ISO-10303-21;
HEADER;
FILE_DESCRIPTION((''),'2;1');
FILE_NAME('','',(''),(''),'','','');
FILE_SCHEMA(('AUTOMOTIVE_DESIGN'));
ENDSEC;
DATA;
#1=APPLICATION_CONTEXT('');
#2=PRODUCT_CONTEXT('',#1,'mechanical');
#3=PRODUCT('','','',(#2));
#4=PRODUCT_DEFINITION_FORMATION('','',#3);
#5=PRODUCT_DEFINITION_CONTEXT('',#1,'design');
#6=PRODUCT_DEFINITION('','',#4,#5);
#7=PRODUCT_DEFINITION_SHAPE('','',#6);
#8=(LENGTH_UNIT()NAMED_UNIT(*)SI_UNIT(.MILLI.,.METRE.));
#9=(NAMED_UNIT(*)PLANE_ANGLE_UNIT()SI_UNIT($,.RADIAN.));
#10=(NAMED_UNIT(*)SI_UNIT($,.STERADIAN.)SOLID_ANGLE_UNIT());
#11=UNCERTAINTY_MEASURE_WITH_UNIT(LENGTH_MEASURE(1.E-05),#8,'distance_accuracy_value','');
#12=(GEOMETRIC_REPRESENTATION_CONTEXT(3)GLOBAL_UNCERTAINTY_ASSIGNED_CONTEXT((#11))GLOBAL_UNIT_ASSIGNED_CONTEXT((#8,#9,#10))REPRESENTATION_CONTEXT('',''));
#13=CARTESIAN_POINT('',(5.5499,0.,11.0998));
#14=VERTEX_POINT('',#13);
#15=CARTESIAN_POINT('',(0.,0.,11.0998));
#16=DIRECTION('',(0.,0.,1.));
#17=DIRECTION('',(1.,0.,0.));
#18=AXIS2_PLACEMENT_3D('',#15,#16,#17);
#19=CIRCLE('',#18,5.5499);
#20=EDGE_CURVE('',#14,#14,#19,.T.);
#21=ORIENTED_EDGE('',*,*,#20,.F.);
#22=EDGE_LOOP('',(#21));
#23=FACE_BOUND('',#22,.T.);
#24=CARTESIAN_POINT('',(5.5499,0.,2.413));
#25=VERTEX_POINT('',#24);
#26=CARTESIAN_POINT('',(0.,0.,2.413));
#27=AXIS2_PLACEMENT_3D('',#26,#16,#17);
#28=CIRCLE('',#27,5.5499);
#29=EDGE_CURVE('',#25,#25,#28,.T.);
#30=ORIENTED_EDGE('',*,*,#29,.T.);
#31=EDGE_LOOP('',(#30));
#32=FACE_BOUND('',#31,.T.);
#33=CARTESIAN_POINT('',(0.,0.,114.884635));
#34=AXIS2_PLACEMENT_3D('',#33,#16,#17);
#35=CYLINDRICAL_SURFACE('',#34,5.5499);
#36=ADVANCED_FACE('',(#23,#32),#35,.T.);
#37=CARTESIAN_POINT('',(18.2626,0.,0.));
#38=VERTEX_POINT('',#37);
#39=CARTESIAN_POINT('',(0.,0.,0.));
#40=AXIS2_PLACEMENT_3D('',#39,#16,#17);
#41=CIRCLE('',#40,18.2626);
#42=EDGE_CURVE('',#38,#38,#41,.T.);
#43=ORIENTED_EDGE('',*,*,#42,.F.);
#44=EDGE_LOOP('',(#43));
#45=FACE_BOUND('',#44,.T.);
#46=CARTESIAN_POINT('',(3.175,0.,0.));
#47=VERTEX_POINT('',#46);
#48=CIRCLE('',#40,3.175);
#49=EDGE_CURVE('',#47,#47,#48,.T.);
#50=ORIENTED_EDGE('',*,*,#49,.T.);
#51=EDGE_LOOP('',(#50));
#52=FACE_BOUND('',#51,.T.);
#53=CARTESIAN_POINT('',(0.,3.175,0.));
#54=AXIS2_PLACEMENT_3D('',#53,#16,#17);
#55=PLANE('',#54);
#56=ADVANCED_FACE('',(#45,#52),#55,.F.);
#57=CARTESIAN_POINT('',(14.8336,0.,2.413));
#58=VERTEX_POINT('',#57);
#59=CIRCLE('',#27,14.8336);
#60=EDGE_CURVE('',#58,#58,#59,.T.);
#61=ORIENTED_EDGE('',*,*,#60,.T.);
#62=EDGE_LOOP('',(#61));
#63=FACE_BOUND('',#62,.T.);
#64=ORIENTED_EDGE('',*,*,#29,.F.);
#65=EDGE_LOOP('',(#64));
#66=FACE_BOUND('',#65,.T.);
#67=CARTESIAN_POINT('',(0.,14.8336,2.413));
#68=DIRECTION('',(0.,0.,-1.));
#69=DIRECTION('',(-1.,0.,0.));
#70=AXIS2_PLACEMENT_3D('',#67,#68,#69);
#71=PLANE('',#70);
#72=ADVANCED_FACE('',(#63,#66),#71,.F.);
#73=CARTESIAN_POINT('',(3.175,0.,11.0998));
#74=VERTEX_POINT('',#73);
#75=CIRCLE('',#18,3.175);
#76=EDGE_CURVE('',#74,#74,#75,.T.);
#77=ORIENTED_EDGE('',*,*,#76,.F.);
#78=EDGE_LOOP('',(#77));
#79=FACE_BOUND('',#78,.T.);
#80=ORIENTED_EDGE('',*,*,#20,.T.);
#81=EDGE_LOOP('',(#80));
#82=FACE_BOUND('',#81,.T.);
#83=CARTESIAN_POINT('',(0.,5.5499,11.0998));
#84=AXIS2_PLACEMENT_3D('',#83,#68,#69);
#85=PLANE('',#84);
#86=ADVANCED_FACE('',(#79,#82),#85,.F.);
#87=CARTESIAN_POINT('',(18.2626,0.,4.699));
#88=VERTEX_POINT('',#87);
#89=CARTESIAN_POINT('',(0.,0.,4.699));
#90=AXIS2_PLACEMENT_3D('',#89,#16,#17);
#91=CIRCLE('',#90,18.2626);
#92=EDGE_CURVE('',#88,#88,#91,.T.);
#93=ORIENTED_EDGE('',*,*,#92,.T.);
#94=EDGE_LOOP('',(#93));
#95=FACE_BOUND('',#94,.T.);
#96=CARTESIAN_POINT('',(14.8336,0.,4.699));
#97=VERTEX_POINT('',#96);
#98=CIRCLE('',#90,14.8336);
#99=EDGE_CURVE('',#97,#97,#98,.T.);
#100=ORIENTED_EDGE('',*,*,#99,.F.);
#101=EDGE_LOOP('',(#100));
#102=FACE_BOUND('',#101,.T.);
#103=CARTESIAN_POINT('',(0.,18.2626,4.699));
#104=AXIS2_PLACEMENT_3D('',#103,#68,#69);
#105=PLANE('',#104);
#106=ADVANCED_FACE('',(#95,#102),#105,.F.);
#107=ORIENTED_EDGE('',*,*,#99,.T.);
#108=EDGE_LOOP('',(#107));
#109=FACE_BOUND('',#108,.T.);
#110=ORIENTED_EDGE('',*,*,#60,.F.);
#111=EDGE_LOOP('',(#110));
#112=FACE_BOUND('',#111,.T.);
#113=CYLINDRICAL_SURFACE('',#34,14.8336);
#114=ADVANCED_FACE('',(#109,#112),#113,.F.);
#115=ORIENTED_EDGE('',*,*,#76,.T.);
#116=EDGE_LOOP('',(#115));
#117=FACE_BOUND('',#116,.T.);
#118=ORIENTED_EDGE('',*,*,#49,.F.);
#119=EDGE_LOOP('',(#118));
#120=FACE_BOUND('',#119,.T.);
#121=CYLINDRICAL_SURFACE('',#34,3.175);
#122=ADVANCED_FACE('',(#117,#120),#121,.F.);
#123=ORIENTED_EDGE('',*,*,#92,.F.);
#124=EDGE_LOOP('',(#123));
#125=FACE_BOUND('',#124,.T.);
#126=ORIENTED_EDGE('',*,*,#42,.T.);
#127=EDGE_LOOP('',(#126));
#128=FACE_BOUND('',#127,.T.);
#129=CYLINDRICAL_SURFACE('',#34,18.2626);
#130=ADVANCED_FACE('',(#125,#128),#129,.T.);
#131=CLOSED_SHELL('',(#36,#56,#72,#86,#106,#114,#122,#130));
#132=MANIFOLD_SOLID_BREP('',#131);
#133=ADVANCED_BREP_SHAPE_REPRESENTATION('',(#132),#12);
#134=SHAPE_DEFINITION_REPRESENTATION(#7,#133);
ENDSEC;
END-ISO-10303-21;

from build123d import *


with BuildPart() as part:
    # Sketch2 → Revolve1 (revolve)
    with BuildSketch(Plane(origin=(0, 0, 0), x_dir=(0, 0, -1), z_dir=(1, 0, 0)), mode=Mode.PRIVATE) as revolve1_sk:
        Polygon((0, 18.2626), (-4.699, 18.2626), (-4.699, 14.8336), (-2.413, 14.8336), (-2.413, 5.5499), (-11.0998, 5.5499), (-11.0998, 3.175), (0, 3.175), align=None)
    revolve(revolve1_sk.sketch.rotate(Axis((0, 0, 114.884635091), (0, 0, -1)), 90), axis=Axis((0, 0, 114.884635091), (0, 0, -1)))


solid = part.part
